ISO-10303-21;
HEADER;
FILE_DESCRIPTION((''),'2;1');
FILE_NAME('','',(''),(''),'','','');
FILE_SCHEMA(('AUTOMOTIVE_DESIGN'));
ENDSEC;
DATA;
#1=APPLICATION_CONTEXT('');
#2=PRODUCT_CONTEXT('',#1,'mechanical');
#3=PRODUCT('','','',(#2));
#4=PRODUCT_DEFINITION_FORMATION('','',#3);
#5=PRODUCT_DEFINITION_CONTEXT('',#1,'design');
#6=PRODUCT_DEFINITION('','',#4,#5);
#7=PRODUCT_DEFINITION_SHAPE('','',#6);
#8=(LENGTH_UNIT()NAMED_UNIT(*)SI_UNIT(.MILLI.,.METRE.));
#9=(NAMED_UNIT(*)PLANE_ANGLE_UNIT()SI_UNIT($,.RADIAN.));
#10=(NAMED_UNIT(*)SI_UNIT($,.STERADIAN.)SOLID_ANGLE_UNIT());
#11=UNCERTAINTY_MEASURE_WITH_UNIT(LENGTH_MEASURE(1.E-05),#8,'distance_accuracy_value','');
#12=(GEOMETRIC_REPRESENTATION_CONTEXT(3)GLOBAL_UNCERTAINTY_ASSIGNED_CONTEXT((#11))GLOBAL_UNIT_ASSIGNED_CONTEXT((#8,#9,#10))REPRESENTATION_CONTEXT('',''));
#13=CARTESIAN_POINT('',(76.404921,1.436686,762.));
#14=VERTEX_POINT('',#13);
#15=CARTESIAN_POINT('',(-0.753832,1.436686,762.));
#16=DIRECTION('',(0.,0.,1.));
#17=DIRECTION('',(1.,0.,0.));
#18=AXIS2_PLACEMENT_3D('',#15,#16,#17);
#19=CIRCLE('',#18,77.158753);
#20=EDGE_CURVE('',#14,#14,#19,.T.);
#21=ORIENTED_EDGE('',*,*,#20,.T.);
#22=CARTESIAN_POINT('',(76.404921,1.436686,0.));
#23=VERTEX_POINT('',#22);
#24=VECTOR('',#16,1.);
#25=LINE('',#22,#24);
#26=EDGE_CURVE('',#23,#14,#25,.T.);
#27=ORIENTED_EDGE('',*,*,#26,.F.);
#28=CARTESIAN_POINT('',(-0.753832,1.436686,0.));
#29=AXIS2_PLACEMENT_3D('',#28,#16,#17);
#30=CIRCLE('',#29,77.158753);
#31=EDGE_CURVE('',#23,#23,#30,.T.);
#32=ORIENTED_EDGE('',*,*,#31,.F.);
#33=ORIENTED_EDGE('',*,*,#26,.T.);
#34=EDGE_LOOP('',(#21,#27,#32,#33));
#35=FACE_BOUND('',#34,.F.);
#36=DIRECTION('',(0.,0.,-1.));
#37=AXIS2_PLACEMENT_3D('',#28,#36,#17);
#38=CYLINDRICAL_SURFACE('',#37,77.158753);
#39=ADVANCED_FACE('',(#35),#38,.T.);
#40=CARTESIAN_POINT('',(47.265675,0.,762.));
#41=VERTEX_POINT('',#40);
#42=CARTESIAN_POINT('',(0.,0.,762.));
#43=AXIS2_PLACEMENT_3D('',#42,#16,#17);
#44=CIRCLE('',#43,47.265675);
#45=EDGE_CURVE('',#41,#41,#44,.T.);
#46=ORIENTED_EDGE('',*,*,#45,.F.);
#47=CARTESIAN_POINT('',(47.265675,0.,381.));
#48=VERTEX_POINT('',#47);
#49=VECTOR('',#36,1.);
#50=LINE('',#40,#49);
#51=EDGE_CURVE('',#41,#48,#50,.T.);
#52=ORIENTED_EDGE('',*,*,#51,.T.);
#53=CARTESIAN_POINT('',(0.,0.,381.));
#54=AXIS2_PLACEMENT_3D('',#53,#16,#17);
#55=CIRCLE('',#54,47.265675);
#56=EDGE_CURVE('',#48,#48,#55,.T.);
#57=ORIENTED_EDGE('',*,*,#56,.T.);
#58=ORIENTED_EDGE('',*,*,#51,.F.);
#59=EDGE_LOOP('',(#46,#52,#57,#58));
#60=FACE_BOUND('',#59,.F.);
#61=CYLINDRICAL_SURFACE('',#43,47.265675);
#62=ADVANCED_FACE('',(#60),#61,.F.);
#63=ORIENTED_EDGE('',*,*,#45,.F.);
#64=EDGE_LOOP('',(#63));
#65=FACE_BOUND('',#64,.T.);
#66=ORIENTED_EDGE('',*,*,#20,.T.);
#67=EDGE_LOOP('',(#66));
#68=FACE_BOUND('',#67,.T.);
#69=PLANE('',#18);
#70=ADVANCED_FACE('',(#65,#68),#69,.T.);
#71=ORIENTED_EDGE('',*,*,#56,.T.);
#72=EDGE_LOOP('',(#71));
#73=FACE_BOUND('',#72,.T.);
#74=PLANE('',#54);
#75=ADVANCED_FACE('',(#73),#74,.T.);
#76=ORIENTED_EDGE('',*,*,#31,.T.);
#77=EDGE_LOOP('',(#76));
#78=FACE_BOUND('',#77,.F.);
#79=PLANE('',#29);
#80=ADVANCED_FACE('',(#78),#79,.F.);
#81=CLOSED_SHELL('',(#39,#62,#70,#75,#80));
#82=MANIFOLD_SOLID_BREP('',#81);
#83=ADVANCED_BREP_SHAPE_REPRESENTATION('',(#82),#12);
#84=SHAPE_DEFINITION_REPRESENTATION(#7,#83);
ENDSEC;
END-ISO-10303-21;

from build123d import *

# Parameters (mm, degrees)
F0_R     = 77.158753
F1_DEPTH = 762
F2_R     = 47.265675
F3_DEPTH = 381


with BuildPart() as f1:
    # F0 (on Top) → F1 (new body)
    with BuildSketch(Plane.XY):
        with Locations((-0.753832, 1.436686)):
            Circle(F0_R)
    extrude(amount=F1_DEPTH)

    # F2 (on face) → F3 (cut)
    with BuildSketch(Plane.XY.offset(762)):
        Circle(F2_R)
    extrude(amount=-F3_DEPTH, mode=Mode.SUBTRACT)


solid = f1.part
